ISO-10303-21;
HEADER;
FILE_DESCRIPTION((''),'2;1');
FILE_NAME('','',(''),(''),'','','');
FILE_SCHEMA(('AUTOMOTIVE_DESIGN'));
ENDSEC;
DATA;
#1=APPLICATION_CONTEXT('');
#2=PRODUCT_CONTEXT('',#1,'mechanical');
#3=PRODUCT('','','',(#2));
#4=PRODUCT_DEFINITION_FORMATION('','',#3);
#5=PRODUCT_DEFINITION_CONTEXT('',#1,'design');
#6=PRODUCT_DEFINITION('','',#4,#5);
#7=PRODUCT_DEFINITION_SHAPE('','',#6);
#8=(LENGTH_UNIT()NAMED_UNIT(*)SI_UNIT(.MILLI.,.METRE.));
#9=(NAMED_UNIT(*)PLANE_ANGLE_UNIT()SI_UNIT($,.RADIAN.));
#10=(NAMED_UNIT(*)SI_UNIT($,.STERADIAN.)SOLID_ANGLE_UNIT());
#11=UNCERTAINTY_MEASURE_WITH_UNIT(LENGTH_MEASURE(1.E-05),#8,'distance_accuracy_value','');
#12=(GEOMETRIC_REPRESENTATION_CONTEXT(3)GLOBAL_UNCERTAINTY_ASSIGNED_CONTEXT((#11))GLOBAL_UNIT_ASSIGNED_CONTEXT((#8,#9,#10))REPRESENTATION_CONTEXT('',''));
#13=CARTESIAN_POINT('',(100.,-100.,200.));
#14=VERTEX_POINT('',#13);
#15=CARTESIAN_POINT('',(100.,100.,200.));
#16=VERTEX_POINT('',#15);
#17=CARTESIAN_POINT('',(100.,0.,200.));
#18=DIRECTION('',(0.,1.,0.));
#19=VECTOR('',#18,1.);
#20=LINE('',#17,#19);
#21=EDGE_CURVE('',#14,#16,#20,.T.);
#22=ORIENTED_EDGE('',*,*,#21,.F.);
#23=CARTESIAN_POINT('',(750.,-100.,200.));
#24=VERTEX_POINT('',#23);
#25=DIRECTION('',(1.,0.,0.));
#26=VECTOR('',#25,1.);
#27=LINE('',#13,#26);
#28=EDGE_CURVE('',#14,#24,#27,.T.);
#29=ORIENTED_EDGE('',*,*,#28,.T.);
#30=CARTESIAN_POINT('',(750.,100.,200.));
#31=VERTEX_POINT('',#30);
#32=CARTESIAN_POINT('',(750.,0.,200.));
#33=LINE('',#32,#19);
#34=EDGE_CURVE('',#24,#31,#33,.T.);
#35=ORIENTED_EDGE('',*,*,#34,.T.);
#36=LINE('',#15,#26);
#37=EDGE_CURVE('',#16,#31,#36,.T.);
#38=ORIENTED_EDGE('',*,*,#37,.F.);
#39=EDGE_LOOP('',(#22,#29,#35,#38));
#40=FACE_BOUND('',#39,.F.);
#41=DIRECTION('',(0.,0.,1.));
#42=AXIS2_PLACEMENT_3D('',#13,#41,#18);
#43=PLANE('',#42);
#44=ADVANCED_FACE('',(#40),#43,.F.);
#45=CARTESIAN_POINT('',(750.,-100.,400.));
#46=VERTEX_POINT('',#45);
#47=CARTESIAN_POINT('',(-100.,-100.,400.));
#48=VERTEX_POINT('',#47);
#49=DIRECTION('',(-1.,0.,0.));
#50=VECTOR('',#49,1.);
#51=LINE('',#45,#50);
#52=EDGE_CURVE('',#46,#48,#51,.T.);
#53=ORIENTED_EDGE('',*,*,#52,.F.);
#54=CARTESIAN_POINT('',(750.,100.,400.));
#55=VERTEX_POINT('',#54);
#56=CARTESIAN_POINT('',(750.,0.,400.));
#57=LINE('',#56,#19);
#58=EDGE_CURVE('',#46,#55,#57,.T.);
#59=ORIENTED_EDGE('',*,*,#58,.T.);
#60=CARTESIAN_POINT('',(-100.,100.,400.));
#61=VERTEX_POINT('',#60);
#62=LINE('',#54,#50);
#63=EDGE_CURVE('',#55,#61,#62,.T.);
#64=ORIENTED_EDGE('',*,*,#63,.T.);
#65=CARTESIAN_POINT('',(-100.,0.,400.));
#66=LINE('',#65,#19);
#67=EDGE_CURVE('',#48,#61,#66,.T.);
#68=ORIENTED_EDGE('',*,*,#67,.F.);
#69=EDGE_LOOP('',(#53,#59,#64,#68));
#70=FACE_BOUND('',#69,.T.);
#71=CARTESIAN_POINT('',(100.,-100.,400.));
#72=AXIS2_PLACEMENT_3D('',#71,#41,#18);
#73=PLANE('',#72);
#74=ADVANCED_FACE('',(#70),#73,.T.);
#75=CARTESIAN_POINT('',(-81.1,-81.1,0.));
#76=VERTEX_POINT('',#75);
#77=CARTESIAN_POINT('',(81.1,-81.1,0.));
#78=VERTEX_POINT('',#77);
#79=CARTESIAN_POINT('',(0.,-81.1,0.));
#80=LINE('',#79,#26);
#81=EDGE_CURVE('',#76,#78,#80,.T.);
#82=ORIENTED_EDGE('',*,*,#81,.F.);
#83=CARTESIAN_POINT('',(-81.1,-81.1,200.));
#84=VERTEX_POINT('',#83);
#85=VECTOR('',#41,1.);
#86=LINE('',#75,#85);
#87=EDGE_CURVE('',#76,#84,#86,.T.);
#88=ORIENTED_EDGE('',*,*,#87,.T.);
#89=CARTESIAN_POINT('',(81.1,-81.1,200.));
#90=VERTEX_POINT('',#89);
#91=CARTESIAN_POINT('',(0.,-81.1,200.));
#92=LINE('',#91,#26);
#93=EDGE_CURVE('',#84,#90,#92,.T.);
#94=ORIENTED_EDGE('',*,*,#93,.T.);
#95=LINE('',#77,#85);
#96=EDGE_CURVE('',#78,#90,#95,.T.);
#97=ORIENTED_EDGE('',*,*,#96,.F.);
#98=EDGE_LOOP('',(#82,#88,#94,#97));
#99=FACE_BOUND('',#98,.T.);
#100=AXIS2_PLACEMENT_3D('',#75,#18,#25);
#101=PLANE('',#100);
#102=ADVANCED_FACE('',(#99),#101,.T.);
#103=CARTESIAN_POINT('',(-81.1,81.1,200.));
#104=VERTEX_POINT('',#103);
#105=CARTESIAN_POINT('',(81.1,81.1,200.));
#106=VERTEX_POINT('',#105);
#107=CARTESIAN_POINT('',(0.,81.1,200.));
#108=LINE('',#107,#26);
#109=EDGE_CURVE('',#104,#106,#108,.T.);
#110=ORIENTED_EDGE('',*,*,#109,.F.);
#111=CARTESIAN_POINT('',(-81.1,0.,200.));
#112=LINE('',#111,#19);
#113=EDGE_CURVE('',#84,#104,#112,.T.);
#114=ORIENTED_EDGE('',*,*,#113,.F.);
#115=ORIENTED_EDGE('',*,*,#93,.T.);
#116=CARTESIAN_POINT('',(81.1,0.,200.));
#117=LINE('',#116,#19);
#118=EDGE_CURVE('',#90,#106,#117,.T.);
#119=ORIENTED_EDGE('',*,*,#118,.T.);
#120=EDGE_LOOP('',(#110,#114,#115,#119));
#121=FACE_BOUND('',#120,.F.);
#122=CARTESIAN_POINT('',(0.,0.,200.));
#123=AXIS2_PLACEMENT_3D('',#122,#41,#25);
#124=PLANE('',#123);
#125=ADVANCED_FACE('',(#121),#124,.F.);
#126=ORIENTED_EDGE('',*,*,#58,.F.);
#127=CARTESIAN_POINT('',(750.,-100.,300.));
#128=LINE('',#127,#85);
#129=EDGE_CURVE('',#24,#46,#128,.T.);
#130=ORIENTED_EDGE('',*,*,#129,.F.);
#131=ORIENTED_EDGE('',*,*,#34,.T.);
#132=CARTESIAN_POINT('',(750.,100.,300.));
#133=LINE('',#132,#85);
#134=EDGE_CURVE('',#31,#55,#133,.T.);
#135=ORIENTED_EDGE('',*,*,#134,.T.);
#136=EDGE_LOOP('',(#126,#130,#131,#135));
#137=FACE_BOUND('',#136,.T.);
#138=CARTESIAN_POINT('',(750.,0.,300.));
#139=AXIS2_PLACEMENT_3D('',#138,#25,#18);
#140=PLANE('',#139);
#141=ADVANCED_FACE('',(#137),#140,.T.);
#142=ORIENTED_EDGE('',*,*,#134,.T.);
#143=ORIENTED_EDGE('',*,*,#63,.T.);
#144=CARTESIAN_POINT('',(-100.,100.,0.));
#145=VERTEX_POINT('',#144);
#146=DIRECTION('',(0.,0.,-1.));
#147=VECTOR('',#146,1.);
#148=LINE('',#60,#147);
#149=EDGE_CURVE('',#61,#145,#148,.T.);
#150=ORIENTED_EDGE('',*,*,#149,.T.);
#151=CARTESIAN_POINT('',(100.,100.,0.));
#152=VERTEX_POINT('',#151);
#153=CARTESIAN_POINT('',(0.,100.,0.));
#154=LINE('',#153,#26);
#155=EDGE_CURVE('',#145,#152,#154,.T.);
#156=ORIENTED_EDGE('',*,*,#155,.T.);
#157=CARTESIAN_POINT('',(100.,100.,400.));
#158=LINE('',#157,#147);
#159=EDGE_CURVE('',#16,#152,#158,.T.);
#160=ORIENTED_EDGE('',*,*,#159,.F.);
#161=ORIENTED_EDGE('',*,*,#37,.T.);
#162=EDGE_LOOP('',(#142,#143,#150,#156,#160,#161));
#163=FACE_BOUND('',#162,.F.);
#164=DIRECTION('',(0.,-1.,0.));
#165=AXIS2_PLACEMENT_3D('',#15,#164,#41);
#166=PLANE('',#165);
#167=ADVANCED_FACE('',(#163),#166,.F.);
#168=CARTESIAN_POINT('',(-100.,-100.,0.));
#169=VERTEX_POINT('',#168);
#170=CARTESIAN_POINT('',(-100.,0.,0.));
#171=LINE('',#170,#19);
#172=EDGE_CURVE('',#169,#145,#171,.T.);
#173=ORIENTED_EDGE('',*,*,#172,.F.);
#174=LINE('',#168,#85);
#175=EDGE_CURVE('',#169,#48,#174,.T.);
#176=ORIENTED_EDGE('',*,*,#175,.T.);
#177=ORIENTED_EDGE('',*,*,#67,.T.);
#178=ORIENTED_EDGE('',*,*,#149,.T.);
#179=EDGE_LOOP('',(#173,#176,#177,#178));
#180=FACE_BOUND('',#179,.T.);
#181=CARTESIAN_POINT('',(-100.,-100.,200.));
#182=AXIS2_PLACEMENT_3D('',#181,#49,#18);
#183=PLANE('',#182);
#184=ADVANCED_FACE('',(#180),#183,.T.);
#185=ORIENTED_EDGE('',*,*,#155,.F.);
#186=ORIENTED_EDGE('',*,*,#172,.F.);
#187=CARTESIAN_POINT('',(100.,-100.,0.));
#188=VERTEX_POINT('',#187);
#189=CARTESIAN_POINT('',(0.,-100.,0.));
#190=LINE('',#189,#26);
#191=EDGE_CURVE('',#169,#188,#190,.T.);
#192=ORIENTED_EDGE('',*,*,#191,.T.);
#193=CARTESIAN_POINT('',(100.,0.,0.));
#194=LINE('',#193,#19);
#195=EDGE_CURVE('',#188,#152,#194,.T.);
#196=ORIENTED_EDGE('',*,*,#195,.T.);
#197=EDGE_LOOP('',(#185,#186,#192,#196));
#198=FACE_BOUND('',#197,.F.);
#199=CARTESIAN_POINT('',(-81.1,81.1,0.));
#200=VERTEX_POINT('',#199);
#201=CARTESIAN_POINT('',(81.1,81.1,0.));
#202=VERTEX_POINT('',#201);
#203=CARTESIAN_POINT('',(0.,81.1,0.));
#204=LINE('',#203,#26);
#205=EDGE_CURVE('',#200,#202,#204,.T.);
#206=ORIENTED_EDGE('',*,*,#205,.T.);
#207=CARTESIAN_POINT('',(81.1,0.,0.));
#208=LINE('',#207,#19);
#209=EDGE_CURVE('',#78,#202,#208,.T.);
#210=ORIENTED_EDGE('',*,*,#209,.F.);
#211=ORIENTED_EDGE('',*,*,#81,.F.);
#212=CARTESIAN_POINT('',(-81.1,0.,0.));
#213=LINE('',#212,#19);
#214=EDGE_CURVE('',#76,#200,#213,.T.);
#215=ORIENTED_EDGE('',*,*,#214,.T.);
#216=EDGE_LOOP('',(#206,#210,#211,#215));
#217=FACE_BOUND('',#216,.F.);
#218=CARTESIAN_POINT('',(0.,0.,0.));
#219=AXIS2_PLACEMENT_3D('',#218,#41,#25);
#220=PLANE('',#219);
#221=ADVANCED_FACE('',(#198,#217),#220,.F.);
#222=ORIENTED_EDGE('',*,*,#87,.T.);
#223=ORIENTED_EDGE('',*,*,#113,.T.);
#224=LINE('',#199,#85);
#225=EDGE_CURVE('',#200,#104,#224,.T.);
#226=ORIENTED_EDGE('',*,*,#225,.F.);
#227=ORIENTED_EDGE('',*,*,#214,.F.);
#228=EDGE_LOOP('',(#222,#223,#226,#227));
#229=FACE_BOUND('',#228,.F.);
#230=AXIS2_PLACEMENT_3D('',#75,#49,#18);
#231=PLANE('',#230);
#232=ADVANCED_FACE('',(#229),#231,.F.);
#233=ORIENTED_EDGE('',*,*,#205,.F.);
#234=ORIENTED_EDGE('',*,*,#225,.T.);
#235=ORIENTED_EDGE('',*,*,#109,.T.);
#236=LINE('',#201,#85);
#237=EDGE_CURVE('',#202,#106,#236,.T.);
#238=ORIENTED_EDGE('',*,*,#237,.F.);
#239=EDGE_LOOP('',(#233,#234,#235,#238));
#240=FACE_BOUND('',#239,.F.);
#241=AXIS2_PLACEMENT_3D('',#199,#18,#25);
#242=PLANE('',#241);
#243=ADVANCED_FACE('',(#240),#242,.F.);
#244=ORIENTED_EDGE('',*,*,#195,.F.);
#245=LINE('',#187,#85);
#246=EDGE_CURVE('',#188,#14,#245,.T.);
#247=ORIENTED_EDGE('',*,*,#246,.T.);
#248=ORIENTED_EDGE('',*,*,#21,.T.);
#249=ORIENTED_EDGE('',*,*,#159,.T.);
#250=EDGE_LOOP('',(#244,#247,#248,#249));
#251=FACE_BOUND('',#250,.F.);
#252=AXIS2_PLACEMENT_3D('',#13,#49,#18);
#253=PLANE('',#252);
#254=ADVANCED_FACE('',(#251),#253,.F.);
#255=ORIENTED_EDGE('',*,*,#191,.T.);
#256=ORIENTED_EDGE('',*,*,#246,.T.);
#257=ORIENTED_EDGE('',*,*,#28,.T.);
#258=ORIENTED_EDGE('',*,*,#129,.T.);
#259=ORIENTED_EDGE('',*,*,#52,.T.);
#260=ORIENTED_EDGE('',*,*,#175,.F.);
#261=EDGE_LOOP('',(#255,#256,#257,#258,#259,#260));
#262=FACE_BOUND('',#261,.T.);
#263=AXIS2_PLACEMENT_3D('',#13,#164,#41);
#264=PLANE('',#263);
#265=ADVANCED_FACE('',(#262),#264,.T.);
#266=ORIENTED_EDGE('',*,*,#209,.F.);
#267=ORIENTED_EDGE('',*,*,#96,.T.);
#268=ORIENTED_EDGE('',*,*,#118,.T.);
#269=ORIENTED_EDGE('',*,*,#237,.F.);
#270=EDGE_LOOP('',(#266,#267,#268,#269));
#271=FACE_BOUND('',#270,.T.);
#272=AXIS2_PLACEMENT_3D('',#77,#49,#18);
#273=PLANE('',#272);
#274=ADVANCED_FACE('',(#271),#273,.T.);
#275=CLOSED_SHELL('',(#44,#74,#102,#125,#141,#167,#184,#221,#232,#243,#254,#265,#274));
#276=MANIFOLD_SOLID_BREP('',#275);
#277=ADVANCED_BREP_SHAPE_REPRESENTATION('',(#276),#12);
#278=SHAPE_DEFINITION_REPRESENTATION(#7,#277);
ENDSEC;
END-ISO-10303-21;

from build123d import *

# Parameters (mm, degrees)
F0_W     = 200
F0_H     = 200
F0_W_2   = 162.2
F0_H_2   = 162.2
F1_DEPTH = 200
F2_W     = 200
F2_H     = 200
F3_DEPTH = 200
F4_W     = 200
F4_H     = 200
F5_DEPTH = 650


with BuildPart() as f1:
    # F0 (on Top) → F1 (new body)
    with BuildSketch(Plane.XY):
        Rectangle(F0_W, F0_H)
        Rectangle(F0_W_2, F0_H_2, mode=Mode.SUBTRACT)
    extrude(amount=F1_DEPTH)

    # F2 (on face) → F3 (join)
    with BuildSketch(Plane.XY.offset(200)):
        Rectangle(F2_W, F2_H)
    extrude(amount=F3_DEPTH)

    # F4 (on face) → F5 (join)
    with BuildSketch(Plane.YZ.offset(100)):
        with Locations((0, 300)):
            Rectangle(F4_W, F4_H)
    extrude(amount=F5_DEPTH)


solid = f1.part
